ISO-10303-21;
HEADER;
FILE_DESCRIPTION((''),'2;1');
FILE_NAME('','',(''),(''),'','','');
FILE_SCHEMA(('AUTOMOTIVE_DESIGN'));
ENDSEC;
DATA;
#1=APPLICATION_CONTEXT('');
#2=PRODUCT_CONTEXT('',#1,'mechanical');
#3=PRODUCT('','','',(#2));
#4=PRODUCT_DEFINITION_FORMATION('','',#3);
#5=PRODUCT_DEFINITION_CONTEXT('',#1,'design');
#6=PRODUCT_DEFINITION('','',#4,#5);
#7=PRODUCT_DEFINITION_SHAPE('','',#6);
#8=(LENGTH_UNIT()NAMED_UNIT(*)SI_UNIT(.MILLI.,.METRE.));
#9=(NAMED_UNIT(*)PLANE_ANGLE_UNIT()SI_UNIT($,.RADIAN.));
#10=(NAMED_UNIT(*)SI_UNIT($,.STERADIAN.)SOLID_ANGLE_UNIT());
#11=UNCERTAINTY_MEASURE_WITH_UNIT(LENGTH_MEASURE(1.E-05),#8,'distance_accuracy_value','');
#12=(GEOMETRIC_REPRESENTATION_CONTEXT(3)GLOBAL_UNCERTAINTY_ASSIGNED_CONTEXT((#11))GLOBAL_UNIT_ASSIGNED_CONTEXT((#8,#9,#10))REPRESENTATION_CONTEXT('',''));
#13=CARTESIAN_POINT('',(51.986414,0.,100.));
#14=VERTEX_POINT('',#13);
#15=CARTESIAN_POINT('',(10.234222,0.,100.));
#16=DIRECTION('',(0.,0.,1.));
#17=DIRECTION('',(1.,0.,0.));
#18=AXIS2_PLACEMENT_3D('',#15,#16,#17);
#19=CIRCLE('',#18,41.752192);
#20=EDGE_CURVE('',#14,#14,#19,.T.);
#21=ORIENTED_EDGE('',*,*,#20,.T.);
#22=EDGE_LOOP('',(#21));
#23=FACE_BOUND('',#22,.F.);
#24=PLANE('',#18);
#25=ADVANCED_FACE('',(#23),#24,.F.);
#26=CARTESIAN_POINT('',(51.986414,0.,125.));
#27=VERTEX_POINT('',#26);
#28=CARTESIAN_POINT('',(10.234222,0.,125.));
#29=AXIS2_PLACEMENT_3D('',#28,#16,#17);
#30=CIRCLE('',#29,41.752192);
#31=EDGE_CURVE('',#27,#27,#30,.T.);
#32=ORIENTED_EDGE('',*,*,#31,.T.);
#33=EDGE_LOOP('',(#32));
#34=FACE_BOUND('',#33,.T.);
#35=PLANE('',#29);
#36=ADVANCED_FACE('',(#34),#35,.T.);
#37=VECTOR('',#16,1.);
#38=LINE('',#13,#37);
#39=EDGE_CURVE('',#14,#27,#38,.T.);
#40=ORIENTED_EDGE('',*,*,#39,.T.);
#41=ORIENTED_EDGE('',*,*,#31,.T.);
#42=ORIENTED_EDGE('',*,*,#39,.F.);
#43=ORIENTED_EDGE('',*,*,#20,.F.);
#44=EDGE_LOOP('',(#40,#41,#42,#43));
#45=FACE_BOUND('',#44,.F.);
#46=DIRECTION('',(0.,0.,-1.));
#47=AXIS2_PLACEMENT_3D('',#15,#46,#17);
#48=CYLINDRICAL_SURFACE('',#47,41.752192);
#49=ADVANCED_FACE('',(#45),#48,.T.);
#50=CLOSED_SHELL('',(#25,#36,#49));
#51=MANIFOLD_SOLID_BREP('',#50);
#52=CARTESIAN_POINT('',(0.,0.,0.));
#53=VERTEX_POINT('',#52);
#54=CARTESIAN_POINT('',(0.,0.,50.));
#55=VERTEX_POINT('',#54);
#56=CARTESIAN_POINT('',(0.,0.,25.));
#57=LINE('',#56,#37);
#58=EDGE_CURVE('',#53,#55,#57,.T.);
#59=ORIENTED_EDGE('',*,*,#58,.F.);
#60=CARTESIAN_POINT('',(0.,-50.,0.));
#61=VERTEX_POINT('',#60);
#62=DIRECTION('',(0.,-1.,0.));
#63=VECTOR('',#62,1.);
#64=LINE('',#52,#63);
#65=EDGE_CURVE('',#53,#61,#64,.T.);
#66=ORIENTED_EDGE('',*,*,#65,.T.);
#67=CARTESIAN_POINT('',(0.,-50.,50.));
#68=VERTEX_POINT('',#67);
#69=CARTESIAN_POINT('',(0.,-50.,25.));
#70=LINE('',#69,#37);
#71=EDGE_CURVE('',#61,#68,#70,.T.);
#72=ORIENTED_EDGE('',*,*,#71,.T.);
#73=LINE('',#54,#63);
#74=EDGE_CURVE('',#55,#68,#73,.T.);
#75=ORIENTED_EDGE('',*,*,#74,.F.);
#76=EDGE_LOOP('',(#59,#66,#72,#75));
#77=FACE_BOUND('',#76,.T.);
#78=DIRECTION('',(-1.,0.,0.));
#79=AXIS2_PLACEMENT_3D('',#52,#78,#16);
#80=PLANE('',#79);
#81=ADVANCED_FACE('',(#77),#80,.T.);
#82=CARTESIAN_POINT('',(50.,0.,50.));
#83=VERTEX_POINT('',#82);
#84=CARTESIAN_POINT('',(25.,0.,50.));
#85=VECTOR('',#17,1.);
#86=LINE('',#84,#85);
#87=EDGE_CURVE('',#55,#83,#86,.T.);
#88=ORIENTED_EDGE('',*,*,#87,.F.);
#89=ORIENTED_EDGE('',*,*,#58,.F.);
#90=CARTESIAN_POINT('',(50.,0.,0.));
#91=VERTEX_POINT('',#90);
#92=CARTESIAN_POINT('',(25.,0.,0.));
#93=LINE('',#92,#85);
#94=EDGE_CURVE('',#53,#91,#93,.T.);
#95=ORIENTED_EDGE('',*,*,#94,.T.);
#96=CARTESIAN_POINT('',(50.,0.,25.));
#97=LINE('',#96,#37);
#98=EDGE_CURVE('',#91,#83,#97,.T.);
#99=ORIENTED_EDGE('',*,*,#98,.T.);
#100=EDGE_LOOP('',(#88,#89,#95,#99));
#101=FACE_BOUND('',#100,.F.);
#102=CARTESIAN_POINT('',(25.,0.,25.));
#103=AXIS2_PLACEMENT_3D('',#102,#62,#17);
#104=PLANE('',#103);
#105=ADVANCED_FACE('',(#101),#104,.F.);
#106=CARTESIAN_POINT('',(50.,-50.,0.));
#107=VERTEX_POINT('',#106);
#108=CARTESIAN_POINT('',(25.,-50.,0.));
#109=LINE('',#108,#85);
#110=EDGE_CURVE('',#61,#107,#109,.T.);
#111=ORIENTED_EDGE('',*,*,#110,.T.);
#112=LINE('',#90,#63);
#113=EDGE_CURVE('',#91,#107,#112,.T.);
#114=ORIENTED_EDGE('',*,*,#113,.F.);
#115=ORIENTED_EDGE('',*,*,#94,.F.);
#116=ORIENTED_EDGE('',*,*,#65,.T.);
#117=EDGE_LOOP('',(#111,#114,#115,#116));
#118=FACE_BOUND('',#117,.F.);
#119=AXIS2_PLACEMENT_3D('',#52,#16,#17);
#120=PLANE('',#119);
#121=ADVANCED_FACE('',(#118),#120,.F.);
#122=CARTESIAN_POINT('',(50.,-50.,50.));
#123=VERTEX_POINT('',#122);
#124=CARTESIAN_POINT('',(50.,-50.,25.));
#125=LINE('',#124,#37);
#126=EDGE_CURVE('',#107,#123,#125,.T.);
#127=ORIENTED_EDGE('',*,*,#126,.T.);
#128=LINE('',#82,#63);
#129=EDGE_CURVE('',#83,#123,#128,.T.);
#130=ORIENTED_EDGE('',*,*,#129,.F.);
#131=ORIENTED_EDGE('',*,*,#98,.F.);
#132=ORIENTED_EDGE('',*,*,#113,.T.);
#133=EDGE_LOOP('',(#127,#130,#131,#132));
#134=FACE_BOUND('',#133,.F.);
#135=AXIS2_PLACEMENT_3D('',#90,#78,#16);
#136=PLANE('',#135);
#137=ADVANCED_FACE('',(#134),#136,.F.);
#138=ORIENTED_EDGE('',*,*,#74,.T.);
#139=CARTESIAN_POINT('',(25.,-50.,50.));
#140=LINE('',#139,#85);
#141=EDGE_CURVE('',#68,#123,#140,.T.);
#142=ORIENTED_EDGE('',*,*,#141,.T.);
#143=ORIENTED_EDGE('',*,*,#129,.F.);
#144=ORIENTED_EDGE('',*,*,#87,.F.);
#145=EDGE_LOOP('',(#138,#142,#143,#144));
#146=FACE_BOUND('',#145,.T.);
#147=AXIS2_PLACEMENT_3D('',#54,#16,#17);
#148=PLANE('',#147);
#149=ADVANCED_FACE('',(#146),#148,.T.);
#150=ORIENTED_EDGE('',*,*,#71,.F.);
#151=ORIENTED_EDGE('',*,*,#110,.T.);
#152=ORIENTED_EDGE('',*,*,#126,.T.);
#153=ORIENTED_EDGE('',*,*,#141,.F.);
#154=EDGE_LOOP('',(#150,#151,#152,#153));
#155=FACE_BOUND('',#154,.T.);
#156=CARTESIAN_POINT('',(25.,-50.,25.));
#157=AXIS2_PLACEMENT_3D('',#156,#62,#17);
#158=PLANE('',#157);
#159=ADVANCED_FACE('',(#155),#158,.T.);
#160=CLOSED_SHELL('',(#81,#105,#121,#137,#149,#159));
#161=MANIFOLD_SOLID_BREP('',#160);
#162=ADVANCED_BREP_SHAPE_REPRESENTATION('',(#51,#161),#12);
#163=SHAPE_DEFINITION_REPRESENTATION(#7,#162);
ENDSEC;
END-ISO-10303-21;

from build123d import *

# Parameters (mm, degrees)
F0_W     = 50
F0_H     = 50
F1_DEPTH = 50
F3_R     = 41.752192
F4_DEPTH = 25


with BuildPart() as f1:
    # F0 (on Front) → F1 (new body)
    with BuildSketch(Plane.XZ):
        with Locations((25, 25)):
            Rectangle(F0_W, F0_H)
    extrude(amount=F1_DEPTH)


with BuildPart() as f4:
    # F3 (on offset) → F4 (new body)
    with BuildSketch(Plane.XY.offset(100)):
        with Locations((10.234222, 0)):
            Circle(F3_R)
    extrude(amount=F4_DEPTH)


solid = Compound([f1.part, f4.part])
